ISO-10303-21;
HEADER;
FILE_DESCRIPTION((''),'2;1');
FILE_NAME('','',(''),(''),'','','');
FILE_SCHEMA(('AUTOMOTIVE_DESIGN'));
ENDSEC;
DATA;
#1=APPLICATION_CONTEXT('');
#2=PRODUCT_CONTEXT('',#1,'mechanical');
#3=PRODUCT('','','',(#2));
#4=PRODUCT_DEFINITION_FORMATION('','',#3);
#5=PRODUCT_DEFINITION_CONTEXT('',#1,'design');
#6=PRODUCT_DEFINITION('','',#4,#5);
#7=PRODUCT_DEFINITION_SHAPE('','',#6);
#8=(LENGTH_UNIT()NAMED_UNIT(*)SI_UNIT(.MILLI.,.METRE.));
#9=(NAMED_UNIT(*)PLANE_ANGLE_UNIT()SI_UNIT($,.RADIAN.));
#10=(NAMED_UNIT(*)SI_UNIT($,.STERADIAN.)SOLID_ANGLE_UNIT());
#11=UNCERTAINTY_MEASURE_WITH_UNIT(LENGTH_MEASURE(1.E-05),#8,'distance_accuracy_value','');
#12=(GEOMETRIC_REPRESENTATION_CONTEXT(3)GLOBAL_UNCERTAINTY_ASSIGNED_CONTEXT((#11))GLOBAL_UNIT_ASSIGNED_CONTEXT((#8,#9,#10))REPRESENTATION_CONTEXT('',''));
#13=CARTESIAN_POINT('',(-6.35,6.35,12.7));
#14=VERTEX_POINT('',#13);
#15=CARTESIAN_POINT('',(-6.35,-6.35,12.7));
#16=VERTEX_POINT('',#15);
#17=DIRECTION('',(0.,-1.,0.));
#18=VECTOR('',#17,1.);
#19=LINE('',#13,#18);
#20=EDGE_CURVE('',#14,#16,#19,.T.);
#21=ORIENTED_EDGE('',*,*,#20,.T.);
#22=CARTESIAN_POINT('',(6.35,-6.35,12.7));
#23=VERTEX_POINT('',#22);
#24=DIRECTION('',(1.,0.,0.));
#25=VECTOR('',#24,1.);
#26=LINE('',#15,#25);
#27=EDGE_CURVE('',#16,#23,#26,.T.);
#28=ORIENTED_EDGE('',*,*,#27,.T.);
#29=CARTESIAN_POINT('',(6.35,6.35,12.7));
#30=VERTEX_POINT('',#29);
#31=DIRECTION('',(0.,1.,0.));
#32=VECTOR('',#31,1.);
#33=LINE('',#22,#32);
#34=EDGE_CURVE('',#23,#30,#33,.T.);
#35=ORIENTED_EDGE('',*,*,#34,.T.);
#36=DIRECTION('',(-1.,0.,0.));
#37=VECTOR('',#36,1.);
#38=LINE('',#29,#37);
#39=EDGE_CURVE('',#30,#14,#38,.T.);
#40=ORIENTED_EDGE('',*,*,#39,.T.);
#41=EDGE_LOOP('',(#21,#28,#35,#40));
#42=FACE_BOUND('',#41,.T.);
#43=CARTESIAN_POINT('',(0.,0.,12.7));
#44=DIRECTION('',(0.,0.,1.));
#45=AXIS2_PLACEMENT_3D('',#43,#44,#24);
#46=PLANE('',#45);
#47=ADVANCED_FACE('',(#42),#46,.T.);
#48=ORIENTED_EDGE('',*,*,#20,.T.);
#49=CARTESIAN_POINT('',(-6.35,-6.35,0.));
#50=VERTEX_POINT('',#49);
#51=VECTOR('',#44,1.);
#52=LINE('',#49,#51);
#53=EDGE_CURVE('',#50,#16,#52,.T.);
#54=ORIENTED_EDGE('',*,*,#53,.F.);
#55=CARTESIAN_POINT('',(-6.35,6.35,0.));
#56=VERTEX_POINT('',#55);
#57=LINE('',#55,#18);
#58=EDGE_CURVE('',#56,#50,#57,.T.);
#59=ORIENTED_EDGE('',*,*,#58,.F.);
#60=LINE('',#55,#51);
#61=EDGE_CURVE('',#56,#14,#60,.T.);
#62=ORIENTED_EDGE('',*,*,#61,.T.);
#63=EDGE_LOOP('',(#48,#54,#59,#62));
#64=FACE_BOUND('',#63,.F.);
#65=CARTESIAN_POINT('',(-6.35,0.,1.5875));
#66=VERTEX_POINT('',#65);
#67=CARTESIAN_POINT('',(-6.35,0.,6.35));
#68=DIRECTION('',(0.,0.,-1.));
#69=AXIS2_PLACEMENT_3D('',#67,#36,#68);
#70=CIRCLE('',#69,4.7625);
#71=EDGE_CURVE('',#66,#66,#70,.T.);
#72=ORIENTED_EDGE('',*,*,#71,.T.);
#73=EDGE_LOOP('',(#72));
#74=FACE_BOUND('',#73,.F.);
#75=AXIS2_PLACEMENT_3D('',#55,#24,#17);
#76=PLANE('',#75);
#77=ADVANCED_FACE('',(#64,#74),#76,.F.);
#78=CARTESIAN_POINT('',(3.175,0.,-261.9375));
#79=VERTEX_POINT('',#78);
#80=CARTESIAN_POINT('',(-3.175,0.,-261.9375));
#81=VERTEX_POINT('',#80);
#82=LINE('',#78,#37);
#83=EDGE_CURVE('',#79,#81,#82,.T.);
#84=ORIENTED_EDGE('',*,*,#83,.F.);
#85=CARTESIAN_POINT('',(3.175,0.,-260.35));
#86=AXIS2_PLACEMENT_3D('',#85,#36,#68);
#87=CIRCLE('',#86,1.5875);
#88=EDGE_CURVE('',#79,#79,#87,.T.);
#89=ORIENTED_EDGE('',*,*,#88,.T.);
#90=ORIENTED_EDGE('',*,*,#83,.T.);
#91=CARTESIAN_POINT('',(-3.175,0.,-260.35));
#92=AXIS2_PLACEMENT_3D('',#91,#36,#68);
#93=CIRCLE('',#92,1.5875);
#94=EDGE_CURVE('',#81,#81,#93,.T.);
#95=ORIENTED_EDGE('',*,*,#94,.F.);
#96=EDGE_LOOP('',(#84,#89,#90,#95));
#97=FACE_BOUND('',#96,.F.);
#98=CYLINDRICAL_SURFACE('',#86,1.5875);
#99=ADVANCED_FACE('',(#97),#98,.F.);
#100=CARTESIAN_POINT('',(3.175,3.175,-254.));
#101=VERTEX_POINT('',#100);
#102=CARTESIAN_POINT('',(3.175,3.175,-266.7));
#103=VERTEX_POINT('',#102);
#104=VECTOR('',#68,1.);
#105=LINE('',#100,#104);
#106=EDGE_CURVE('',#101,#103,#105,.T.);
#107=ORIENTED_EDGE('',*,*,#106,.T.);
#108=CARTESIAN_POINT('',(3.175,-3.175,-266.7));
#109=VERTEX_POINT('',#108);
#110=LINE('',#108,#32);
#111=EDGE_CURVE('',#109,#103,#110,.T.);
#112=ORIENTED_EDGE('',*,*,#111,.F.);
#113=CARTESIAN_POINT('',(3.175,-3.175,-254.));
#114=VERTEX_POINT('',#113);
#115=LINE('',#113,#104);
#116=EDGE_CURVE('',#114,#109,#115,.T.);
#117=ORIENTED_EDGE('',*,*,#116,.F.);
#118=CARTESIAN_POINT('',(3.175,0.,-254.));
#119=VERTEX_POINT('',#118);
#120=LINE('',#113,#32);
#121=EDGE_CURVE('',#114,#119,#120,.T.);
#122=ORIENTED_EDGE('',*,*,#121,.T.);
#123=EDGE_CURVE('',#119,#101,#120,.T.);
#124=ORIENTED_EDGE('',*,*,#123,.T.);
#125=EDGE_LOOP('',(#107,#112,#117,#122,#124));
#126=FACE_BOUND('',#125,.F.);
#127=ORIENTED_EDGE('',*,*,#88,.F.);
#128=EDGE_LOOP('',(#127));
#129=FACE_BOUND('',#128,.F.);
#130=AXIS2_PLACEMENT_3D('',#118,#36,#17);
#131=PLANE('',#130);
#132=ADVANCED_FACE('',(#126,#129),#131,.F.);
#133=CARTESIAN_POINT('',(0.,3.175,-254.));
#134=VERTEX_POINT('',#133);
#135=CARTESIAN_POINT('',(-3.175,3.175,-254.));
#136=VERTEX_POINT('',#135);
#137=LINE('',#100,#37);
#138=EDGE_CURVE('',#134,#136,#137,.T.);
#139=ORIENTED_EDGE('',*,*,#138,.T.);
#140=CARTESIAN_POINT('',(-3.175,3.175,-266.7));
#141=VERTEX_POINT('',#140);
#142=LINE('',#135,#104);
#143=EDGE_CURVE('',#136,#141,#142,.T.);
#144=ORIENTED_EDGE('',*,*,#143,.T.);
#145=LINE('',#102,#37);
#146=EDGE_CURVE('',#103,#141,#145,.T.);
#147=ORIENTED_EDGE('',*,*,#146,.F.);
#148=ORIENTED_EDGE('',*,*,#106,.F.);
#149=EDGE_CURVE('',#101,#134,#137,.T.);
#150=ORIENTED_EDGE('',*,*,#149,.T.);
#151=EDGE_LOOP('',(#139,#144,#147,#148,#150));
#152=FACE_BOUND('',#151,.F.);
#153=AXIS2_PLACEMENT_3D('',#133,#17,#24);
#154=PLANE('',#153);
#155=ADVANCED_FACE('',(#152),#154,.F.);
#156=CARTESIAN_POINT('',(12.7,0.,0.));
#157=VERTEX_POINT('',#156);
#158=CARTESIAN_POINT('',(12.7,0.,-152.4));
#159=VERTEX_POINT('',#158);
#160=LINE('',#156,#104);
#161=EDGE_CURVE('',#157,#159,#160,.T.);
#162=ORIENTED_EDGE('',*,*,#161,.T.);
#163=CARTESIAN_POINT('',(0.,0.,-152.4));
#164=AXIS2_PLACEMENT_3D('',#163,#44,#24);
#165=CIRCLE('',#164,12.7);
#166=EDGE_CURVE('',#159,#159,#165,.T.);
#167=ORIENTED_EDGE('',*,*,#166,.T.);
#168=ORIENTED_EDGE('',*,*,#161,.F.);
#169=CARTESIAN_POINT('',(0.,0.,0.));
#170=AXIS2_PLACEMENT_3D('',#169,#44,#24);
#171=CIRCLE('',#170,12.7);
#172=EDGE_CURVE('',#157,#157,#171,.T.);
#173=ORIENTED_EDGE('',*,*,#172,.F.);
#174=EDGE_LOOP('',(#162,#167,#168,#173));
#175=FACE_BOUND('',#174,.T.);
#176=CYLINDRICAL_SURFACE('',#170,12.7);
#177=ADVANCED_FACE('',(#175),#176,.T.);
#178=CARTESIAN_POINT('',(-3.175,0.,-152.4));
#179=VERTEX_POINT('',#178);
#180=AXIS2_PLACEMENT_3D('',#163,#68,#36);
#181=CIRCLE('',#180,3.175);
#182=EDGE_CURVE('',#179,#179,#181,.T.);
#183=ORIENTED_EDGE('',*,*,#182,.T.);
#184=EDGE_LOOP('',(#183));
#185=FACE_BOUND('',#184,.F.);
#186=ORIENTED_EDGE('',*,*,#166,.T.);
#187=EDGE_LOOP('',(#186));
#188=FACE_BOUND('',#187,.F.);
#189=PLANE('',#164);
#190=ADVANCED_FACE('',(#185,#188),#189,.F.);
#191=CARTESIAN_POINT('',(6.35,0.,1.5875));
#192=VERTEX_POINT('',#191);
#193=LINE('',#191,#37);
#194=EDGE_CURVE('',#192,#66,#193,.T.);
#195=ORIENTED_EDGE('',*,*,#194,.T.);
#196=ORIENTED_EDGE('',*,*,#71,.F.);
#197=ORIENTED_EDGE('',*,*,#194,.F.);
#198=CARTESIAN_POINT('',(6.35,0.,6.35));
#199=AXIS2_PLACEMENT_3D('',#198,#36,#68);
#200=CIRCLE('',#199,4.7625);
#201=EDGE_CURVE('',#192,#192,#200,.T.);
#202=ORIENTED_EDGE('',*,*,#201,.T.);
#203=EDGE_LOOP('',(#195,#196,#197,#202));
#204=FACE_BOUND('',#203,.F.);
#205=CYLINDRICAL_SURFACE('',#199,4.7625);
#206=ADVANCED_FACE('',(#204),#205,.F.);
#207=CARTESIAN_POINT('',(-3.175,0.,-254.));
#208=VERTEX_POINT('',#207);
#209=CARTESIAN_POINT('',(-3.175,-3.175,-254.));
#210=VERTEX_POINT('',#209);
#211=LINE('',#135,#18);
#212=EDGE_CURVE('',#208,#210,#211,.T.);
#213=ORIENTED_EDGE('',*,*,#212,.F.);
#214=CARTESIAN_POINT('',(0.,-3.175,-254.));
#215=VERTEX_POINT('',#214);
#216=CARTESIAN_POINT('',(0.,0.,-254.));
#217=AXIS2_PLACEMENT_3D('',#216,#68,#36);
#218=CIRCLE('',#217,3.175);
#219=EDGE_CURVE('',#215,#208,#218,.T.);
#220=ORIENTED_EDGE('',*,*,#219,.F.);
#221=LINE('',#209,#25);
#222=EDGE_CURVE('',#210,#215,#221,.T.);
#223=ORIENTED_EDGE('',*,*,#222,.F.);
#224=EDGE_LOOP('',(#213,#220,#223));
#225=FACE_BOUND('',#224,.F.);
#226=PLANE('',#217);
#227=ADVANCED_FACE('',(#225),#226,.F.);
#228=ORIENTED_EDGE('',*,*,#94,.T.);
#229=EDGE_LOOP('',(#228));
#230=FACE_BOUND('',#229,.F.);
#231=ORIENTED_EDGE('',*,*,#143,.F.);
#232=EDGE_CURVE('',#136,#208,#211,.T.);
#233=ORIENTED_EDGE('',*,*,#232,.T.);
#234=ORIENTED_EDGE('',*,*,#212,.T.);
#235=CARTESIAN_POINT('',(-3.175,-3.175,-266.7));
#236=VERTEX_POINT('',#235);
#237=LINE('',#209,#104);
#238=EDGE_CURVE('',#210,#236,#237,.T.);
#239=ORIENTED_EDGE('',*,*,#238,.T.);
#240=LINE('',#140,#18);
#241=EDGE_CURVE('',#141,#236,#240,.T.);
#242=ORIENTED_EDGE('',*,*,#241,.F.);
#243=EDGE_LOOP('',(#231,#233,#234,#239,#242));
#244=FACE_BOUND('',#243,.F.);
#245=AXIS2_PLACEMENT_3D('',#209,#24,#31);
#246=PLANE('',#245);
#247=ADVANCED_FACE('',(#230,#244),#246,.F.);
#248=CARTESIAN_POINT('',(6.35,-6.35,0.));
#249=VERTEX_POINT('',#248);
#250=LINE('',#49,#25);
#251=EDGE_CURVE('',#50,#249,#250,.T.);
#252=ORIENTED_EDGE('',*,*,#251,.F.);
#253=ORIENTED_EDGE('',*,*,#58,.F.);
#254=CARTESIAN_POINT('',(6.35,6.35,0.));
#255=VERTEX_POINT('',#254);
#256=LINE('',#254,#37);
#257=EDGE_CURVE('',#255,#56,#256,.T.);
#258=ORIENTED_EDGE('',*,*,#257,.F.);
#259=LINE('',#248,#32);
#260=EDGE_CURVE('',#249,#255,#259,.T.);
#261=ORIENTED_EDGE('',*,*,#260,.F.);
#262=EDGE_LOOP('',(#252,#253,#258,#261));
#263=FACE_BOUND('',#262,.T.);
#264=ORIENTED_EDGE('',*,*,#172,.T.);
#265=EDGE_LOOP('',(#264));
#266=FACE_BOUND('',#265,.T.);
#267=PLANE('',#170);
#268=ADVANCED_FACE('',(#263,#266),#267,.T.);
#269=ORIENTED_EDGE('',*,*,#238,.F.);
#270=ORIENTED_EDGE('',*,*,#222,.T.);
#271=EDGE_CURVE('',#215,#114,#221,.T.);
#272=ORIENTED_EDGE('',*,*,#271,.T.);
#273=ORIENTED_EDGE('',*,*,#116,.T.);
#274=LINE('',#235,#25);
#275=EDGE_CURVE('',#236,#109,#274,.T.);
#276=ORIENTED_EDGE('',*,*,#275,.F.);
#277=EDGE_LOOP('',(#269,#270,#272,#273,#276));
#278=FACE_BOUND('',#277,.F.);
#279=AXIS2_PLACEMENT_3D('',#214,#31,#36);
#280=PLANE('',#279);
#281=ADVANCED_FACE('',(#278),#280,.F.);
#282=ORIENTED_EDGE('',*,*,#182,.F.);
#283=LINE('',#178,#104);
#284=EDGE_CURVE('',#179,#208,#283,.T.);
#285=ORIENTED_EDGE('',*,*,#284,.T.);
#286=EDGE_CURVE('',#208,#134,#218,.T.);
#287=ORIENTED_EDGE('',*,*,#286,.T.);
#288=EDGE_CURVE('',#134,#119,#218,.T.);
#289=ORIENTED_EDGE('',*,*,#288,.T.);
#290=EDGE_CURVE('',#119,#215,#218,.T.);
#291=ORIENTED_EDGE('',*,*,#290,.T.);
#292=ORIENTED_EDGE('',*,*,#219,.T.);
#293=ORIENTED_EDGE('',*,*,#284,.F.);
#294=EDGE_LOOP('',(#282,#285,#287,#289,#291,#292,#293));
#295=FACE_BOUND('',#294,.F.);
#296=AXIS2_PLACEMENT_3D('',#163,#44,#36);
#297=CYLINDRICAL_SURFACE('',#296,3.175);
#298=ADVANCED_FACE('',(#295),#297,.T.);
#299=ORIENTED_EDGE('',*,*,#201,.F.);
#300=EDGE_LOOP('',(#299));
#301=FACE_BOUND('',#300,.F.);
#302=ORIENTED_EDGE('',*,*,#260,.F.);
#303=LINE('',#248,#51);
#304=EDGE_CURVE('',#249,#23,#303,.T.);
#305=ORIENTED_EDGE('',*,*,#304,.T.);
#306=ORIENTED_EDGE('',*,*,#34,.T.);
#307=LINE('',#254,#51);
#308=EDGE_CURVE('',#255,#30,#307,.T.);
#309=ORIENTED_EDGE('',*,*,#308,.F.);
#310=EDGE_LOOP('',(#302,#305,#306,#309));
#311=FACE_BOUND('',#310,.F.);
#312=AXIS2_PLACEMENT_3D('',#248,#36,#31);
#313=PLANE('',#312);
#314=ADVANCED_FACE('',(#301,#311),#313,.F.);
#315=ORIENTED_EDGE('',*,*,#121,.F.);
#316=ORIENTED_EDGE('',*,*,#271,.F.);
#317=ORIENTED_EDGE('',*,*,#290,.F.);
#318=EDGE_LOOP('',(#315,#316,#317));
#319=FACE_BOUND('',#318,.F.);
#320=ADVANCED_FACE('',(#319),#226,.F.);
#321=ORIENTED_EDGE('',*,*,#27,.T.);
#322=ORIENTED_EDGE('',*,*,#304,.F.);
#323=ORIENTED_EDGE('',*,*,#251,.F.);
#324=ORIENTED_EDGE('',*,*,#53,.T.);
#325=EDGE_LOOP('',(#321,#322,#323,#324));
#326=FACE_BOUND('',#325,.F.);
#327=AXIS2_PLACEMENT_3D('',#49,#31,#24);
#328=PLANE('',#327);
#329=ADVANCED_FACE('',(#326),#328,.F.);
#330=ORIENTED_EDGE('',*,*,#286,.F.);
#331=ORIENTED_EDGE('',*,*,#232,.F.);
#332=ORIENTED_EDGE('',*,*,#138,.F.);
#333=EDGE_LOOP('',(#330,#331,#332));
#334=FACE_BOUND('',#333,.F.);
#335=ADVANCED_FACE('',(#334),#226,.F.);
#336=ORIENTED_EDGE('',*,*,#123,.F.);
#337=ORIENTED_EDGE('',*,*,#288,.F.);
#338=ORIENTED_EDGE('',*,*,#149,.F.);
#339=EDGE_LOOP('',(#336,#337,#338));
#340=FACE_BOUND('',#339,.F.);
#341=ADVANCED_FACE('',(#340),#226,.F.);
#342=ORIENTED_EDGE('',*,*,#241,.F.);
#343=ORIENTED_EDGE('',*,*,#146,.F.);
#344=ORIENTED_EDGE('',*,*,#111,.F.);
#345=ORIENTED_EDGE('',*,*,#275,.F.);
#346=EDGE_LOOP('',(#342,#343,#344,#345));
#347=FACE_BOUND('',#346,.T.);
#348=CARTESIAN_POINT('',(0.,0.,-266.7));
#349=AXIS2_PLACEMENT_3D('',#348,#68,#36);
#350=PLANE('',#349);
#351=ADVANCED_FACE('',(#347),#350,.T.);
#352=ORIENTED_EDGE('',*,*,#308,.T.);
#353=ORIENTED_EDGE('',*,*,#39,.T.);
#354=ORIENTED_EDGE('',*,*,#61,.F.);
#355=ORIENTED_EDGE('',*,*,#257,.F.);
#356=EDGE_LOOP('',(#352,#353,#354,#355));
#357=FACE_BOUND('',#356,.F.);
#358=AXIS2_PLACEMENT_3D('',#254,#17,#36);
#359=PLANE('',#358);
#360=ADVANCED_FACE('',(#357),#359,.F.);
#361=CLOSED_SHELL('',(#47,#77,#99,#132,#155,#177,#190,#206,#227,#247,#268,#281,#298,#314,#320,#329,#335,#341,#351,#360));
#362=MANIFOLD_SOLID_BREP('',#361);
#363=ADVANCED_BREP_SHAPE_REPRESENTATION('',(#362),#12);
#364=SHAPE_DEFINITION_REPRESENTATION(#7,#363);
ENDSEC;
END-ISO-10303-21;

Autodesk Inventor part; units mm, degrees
ref_plane "YZ Plane" through (0, 0, 0) normal (1, 0, 0) x (0, 1, 0)
ref_plane "XZ Plane" through (0, 0, 0) normal (0, 1, 0) x (-1, 0, 0)
ref_plane "XY Plane" through (0, 0, 0) normal (0, 0, 1) x (1, 0, 0)
sketch "Sketch1" plane through (0, 0, 0) normal (0, 0, 1) x (1, 0, 0)
  circle A0 centre (0, 0) radius 12.7
  line L0 (-6.35, -6.35) -> (6.35, -6.35)
  line L1 (6.35, -6.35) -> (6.35, 6.35)
  line L2 (6.35, 6.35) -> (-6.35, 6.35)
  line L3 (-6.35, 6.35) -> (-6.35, -6.35)
  point P0 (-6.35, 0)
  point P1 (0, 6.35)
  dimension "d0" = 25.4
  dimension "d1" = 12.7
  dimension "d2" = 12.7
extrude "Extrusion1" add sketch "Sketch1" against normal blind 152.4 contours A0 | L3 L2 L1 L0
extrude "Extrusion2" add sketch "Sketch1" along normal blind 12.7 contours L3 L2 L1 L0
sketch "Sketch2" plane through (6.35, -6.35, 12.7) normal (1, 0, 0) x (0, 0, -1)
  point P0 (12.7, 6.35)
  point P1 (6.35, 6.35)
hole "Hole1" at (6.35, 0, 6.35) direction (-1, 0, 0) diameter 9.525 depth 25.4 tip angle 118
thread "Thread1" size "3/8-16 UNC" class "2B" standard "ANSI Unified Screw Threads" full length
sketch "Sketch3" plane through (0, 0, -152.4) normal (0, 0, -1) x (-1, 0, 0)
  circle A0 centre (0, 0) radius 12.7 projected
  circle A1 centre (0, 0) radius 3.175
  dimension "d16" = 6.35
extrude "Extrusion3" add sketch "Sketch3" along normal blind 101.6 contours A1
sketch "Sketch4" plane through (0, 0, -254) normal (0, 0, -1) x (-1, 0, 0)
  circle A0 centre (0, 0) radius 3.175 projected
  line L0 (-3.175, -3.175) -> (3.175, -3.175)
  line L1 (3.175, -3.175) -> (3.175, 3.175)
  line L2 (3.175, 3.175) -> (-3.175, 3.175)
  line L3 (-3.175, 3.175) -> (-3.175, -3.175)
extrude "Extrusion4" add sketch "Sketch4" along normal blind 12.7
sketch "Sketch5" plane through (3.175, 0, -254) normal (1, 0, 0) x (0, 0, -1)
  line L0 (0, -3.175) -> (12.7, -3.175) projected
  point P0 (0, 0)
  point P1 (-254, 0)
  point P2 (6.35, 0)
  point P3 (6.35, -3.175)
hole "Hole2" at (3.175, 0, -260.35) direction (-1, 0, 0) diameter 3.175 depth 25.4 tip angle 118
properties part number "temp_cylinder_.1inch_4stroke"
